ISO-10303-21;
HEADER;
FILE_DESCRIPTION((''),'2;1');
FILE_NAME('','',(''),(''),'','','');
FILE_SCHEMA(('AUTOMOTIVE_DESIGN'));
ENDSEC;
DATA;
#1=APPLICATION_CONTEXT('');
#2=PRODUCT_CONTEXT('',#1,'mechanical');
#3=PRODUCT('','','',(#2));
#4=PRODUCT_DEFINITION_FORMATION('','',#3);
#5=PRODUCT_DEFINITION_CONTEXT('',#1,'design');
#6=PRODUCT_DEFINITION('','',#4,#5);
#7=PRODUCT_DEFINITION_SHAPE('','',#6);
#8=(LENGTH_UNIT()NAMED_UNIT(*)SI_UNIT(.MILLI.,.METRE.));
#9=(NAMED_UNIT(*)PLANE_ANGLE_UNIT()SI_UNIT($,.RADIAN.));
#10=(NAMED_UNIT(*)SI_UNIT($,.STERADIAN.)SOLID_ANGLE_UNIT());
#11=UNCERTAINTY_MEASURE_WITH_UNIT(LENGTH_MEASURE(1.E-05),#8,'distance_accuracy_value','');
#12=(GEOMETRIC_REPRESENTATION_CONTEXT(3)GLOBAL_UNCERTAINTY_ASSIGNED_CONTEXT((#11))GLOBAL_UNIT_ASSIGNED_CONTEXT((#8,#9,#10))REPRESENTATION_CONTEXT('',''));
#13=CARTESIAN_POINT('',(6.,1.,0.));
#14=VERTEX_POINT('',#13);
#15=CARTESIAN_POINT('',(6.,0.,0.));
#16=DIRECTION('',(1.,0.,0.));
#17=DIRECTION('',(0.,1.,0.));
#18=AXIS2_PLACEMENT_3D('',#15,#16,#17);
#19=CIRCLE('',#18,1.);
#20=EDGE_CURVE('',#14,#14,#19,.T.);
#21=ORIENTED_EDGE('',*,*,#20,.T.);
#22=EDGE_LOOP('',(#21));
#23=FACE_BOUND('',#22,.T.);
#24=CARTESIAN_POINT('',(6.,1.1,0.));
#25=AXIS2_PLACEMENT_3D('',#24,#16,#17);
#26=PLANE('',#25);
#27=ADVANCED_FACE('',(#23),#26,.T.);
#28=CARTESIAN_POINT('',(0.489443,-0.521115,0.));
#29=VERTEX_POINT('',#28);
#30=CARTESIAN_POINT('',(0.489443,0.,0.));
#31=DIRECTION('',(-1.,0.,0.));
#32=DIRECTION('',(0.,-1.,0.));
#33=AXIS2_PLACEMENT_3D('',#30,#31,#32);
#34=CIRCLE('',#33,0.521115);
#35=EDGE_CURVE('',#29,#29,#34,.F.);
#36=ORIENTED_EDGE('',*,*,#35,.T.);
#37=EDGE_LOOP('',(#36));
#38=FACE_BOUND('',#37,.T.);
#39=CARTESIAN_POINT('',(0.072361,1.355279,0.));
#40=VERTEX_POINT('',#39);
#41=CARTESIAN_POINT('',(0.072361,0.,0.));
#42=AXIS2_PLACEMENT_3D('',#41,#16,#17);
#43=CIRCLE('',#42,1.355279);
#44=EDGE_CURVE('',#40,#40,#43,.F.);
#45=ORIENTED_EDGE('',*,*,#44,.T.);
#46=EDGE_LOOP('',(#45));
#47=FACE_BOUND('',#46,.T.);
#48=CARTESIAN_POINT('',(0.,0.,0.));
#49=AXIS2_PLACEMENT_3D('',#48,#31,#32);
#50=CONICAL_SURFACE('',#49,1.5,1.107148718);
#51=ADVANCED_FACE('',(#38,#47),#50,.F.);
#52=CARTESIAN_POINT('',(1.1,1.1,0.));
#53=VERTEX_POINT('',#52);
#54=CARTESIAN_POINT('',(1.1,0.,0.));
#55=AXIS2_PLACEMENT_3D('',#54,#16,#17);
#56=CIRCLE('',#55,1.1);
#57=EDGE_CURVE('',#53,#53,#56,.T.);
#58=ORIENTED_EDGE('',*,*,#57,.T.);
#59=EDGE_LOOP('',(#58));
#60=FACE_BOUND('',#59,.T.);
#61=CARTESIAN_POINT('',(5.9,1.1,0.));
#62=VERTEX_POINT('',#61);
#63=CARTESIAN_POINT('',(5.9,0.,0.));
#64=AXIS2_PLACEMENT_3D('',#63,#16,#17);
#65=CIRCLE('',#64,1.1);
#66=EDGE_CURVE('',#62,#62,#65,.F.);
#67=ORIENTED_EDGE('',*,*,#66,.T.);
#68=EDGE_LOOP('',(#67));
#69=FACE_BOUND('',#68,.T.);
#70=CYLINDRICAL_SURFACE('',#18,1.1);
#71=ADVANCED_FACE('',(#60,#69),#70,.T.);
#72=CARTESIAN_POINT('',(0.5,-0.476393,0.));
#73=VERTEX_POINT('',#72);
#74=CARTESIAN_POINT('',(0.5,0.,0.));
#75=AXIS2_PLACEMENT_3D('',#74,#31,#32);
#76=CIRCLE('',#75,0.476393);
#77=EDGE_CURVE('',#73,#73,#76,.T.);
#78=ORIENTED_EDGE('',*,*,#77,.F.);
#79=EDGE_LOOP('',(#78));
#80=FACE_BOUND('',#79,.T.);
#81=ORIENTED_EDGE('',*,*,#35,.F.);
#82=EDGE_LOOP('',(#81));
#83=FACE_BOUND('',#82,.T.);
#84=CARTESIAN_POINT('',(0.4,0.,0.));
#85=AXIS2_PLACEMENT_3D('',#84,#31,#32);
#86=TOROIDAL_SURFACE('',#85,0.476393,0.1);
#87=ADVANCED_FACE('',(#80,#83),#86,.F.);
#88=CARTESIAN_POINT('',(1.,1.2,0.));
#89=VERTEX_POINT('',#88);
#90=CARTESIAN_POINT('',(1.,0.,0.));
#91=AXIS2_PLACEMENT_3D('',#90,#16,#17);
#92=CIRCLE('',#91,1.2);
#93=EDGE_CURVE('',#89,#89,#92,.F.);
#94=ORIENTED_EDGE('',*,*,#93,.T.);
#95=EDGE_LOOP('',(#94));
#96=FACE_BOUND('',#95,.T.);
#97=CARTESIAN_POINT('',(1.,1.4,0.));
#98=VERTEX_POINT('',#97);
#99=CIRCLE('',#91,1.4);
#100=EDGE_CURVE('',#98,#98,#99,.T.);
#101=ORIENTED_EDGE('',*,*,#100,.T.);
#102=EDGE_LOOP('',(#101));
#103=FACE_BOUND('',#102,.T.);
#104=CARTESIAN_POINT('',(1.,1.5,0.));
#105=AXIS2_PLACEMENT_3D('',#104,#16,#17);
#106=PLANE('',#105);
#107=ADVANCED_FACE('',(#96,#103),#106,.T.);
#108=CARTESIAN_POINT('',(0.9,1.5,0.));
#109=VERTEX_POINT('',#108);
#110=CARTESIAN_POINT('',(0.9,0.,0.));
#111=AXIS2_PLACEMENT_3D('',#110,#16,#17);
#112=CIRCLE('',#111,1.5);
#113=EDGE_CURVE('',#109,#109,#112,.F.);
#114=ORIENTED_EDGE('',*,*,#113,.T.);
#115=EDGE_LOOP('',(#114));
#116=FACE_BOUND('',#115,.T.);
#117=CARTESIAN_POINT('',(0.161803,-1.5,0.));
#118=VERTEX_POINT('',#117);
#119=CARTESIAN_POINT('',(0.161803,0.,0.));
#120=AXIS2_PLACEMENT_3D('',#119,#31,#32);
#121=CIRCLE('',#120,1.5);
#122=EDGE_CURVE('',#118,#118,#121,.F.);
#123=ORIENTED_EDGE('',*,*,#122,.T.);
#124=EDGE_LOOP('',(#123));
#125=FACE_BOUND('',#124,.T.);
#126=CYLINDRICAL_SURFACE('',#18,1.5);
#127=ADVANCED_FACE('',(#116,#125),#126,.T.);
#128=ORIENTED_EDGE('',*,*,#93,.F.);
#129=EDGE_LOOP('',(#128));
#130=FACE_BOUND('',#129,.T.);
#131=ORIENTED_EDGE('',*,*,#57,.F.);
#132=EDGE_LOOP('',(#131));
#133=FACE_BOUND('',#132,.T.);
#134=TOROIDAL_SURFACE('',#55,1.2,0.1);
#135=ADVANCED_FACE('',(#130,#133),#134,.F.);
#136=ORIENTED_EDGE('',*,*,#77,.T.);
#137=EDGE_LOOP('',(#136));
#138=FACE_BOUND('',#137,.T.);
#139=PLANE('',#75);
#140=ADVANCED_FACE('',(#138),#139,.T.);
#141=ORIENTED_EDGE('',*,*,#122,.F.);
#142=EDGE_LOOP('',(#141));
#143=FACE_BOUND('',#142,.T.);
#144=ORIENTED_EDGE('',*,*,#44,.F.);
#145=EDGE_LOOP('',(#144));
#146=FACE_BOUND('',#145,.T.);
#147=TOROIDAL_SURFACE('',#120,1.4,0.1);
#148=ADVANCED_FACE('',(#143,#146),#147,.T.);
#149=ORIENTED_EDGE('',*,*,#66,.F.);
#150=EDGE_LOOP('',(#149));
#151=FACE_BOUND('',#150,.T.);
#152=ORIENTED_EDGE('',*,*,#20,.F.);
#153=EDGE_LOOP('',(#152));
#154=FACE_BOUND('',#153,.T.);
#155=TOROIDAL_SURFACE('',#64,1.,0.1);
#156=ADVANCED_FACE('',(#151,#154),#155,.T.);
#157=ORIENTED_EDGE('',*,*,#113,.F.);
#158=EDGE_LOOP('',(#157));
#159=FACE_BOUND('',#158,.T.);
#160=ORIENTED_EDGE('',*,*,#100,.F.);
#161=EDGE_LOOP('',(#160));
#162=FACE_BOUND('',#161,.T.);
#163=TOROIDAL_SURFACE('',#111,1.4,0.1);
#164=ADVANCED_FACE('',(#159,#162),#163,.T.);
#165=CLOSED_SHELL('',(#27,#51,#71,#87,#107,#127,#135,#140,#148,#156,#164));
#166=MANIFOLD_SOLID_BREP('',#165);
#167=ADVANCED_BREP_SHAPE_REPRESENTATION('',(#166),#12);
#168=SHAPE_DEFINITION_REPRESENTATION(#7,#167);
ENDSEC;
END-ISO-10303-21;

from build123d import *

# Parameters (mm, degrees)
FILLET1_R = 0.1
FILLET2_R = 0.1


with BuildPart() as part:
    # Sketch1 → Revolve1 (revolve)
    with BuildSketch(Plane.XY):
        Polygon((0, 1.5), (1, 1.5), (1, 1.1), (6, 1.1), (6, 0), (0.5, 0), (0.5, 0.5), align=None)
    revolve(axis=Axis((6, 0, 0), (-1, 0, 0)))

    # Fillet1
    fillet1_edges = [part.edges().sort_by_distance(p)[0] for p in [
        (6, -1.1, 0),
    ]]
    fillet(fillet1_edges, radius=FILLET1_R)

    # Fillet2
    fillet2_edges = [part.edges().sort_by_distance(p)[0] for p in [
        (0.5, -0.5, 0),
        (1, -1.1, 0),
        (1, -1.5, 0),
        (0, -1.5, 0),
    ]]
    fillet(fillet2_edges, radius=FILLET2_R)


solid = part.part
